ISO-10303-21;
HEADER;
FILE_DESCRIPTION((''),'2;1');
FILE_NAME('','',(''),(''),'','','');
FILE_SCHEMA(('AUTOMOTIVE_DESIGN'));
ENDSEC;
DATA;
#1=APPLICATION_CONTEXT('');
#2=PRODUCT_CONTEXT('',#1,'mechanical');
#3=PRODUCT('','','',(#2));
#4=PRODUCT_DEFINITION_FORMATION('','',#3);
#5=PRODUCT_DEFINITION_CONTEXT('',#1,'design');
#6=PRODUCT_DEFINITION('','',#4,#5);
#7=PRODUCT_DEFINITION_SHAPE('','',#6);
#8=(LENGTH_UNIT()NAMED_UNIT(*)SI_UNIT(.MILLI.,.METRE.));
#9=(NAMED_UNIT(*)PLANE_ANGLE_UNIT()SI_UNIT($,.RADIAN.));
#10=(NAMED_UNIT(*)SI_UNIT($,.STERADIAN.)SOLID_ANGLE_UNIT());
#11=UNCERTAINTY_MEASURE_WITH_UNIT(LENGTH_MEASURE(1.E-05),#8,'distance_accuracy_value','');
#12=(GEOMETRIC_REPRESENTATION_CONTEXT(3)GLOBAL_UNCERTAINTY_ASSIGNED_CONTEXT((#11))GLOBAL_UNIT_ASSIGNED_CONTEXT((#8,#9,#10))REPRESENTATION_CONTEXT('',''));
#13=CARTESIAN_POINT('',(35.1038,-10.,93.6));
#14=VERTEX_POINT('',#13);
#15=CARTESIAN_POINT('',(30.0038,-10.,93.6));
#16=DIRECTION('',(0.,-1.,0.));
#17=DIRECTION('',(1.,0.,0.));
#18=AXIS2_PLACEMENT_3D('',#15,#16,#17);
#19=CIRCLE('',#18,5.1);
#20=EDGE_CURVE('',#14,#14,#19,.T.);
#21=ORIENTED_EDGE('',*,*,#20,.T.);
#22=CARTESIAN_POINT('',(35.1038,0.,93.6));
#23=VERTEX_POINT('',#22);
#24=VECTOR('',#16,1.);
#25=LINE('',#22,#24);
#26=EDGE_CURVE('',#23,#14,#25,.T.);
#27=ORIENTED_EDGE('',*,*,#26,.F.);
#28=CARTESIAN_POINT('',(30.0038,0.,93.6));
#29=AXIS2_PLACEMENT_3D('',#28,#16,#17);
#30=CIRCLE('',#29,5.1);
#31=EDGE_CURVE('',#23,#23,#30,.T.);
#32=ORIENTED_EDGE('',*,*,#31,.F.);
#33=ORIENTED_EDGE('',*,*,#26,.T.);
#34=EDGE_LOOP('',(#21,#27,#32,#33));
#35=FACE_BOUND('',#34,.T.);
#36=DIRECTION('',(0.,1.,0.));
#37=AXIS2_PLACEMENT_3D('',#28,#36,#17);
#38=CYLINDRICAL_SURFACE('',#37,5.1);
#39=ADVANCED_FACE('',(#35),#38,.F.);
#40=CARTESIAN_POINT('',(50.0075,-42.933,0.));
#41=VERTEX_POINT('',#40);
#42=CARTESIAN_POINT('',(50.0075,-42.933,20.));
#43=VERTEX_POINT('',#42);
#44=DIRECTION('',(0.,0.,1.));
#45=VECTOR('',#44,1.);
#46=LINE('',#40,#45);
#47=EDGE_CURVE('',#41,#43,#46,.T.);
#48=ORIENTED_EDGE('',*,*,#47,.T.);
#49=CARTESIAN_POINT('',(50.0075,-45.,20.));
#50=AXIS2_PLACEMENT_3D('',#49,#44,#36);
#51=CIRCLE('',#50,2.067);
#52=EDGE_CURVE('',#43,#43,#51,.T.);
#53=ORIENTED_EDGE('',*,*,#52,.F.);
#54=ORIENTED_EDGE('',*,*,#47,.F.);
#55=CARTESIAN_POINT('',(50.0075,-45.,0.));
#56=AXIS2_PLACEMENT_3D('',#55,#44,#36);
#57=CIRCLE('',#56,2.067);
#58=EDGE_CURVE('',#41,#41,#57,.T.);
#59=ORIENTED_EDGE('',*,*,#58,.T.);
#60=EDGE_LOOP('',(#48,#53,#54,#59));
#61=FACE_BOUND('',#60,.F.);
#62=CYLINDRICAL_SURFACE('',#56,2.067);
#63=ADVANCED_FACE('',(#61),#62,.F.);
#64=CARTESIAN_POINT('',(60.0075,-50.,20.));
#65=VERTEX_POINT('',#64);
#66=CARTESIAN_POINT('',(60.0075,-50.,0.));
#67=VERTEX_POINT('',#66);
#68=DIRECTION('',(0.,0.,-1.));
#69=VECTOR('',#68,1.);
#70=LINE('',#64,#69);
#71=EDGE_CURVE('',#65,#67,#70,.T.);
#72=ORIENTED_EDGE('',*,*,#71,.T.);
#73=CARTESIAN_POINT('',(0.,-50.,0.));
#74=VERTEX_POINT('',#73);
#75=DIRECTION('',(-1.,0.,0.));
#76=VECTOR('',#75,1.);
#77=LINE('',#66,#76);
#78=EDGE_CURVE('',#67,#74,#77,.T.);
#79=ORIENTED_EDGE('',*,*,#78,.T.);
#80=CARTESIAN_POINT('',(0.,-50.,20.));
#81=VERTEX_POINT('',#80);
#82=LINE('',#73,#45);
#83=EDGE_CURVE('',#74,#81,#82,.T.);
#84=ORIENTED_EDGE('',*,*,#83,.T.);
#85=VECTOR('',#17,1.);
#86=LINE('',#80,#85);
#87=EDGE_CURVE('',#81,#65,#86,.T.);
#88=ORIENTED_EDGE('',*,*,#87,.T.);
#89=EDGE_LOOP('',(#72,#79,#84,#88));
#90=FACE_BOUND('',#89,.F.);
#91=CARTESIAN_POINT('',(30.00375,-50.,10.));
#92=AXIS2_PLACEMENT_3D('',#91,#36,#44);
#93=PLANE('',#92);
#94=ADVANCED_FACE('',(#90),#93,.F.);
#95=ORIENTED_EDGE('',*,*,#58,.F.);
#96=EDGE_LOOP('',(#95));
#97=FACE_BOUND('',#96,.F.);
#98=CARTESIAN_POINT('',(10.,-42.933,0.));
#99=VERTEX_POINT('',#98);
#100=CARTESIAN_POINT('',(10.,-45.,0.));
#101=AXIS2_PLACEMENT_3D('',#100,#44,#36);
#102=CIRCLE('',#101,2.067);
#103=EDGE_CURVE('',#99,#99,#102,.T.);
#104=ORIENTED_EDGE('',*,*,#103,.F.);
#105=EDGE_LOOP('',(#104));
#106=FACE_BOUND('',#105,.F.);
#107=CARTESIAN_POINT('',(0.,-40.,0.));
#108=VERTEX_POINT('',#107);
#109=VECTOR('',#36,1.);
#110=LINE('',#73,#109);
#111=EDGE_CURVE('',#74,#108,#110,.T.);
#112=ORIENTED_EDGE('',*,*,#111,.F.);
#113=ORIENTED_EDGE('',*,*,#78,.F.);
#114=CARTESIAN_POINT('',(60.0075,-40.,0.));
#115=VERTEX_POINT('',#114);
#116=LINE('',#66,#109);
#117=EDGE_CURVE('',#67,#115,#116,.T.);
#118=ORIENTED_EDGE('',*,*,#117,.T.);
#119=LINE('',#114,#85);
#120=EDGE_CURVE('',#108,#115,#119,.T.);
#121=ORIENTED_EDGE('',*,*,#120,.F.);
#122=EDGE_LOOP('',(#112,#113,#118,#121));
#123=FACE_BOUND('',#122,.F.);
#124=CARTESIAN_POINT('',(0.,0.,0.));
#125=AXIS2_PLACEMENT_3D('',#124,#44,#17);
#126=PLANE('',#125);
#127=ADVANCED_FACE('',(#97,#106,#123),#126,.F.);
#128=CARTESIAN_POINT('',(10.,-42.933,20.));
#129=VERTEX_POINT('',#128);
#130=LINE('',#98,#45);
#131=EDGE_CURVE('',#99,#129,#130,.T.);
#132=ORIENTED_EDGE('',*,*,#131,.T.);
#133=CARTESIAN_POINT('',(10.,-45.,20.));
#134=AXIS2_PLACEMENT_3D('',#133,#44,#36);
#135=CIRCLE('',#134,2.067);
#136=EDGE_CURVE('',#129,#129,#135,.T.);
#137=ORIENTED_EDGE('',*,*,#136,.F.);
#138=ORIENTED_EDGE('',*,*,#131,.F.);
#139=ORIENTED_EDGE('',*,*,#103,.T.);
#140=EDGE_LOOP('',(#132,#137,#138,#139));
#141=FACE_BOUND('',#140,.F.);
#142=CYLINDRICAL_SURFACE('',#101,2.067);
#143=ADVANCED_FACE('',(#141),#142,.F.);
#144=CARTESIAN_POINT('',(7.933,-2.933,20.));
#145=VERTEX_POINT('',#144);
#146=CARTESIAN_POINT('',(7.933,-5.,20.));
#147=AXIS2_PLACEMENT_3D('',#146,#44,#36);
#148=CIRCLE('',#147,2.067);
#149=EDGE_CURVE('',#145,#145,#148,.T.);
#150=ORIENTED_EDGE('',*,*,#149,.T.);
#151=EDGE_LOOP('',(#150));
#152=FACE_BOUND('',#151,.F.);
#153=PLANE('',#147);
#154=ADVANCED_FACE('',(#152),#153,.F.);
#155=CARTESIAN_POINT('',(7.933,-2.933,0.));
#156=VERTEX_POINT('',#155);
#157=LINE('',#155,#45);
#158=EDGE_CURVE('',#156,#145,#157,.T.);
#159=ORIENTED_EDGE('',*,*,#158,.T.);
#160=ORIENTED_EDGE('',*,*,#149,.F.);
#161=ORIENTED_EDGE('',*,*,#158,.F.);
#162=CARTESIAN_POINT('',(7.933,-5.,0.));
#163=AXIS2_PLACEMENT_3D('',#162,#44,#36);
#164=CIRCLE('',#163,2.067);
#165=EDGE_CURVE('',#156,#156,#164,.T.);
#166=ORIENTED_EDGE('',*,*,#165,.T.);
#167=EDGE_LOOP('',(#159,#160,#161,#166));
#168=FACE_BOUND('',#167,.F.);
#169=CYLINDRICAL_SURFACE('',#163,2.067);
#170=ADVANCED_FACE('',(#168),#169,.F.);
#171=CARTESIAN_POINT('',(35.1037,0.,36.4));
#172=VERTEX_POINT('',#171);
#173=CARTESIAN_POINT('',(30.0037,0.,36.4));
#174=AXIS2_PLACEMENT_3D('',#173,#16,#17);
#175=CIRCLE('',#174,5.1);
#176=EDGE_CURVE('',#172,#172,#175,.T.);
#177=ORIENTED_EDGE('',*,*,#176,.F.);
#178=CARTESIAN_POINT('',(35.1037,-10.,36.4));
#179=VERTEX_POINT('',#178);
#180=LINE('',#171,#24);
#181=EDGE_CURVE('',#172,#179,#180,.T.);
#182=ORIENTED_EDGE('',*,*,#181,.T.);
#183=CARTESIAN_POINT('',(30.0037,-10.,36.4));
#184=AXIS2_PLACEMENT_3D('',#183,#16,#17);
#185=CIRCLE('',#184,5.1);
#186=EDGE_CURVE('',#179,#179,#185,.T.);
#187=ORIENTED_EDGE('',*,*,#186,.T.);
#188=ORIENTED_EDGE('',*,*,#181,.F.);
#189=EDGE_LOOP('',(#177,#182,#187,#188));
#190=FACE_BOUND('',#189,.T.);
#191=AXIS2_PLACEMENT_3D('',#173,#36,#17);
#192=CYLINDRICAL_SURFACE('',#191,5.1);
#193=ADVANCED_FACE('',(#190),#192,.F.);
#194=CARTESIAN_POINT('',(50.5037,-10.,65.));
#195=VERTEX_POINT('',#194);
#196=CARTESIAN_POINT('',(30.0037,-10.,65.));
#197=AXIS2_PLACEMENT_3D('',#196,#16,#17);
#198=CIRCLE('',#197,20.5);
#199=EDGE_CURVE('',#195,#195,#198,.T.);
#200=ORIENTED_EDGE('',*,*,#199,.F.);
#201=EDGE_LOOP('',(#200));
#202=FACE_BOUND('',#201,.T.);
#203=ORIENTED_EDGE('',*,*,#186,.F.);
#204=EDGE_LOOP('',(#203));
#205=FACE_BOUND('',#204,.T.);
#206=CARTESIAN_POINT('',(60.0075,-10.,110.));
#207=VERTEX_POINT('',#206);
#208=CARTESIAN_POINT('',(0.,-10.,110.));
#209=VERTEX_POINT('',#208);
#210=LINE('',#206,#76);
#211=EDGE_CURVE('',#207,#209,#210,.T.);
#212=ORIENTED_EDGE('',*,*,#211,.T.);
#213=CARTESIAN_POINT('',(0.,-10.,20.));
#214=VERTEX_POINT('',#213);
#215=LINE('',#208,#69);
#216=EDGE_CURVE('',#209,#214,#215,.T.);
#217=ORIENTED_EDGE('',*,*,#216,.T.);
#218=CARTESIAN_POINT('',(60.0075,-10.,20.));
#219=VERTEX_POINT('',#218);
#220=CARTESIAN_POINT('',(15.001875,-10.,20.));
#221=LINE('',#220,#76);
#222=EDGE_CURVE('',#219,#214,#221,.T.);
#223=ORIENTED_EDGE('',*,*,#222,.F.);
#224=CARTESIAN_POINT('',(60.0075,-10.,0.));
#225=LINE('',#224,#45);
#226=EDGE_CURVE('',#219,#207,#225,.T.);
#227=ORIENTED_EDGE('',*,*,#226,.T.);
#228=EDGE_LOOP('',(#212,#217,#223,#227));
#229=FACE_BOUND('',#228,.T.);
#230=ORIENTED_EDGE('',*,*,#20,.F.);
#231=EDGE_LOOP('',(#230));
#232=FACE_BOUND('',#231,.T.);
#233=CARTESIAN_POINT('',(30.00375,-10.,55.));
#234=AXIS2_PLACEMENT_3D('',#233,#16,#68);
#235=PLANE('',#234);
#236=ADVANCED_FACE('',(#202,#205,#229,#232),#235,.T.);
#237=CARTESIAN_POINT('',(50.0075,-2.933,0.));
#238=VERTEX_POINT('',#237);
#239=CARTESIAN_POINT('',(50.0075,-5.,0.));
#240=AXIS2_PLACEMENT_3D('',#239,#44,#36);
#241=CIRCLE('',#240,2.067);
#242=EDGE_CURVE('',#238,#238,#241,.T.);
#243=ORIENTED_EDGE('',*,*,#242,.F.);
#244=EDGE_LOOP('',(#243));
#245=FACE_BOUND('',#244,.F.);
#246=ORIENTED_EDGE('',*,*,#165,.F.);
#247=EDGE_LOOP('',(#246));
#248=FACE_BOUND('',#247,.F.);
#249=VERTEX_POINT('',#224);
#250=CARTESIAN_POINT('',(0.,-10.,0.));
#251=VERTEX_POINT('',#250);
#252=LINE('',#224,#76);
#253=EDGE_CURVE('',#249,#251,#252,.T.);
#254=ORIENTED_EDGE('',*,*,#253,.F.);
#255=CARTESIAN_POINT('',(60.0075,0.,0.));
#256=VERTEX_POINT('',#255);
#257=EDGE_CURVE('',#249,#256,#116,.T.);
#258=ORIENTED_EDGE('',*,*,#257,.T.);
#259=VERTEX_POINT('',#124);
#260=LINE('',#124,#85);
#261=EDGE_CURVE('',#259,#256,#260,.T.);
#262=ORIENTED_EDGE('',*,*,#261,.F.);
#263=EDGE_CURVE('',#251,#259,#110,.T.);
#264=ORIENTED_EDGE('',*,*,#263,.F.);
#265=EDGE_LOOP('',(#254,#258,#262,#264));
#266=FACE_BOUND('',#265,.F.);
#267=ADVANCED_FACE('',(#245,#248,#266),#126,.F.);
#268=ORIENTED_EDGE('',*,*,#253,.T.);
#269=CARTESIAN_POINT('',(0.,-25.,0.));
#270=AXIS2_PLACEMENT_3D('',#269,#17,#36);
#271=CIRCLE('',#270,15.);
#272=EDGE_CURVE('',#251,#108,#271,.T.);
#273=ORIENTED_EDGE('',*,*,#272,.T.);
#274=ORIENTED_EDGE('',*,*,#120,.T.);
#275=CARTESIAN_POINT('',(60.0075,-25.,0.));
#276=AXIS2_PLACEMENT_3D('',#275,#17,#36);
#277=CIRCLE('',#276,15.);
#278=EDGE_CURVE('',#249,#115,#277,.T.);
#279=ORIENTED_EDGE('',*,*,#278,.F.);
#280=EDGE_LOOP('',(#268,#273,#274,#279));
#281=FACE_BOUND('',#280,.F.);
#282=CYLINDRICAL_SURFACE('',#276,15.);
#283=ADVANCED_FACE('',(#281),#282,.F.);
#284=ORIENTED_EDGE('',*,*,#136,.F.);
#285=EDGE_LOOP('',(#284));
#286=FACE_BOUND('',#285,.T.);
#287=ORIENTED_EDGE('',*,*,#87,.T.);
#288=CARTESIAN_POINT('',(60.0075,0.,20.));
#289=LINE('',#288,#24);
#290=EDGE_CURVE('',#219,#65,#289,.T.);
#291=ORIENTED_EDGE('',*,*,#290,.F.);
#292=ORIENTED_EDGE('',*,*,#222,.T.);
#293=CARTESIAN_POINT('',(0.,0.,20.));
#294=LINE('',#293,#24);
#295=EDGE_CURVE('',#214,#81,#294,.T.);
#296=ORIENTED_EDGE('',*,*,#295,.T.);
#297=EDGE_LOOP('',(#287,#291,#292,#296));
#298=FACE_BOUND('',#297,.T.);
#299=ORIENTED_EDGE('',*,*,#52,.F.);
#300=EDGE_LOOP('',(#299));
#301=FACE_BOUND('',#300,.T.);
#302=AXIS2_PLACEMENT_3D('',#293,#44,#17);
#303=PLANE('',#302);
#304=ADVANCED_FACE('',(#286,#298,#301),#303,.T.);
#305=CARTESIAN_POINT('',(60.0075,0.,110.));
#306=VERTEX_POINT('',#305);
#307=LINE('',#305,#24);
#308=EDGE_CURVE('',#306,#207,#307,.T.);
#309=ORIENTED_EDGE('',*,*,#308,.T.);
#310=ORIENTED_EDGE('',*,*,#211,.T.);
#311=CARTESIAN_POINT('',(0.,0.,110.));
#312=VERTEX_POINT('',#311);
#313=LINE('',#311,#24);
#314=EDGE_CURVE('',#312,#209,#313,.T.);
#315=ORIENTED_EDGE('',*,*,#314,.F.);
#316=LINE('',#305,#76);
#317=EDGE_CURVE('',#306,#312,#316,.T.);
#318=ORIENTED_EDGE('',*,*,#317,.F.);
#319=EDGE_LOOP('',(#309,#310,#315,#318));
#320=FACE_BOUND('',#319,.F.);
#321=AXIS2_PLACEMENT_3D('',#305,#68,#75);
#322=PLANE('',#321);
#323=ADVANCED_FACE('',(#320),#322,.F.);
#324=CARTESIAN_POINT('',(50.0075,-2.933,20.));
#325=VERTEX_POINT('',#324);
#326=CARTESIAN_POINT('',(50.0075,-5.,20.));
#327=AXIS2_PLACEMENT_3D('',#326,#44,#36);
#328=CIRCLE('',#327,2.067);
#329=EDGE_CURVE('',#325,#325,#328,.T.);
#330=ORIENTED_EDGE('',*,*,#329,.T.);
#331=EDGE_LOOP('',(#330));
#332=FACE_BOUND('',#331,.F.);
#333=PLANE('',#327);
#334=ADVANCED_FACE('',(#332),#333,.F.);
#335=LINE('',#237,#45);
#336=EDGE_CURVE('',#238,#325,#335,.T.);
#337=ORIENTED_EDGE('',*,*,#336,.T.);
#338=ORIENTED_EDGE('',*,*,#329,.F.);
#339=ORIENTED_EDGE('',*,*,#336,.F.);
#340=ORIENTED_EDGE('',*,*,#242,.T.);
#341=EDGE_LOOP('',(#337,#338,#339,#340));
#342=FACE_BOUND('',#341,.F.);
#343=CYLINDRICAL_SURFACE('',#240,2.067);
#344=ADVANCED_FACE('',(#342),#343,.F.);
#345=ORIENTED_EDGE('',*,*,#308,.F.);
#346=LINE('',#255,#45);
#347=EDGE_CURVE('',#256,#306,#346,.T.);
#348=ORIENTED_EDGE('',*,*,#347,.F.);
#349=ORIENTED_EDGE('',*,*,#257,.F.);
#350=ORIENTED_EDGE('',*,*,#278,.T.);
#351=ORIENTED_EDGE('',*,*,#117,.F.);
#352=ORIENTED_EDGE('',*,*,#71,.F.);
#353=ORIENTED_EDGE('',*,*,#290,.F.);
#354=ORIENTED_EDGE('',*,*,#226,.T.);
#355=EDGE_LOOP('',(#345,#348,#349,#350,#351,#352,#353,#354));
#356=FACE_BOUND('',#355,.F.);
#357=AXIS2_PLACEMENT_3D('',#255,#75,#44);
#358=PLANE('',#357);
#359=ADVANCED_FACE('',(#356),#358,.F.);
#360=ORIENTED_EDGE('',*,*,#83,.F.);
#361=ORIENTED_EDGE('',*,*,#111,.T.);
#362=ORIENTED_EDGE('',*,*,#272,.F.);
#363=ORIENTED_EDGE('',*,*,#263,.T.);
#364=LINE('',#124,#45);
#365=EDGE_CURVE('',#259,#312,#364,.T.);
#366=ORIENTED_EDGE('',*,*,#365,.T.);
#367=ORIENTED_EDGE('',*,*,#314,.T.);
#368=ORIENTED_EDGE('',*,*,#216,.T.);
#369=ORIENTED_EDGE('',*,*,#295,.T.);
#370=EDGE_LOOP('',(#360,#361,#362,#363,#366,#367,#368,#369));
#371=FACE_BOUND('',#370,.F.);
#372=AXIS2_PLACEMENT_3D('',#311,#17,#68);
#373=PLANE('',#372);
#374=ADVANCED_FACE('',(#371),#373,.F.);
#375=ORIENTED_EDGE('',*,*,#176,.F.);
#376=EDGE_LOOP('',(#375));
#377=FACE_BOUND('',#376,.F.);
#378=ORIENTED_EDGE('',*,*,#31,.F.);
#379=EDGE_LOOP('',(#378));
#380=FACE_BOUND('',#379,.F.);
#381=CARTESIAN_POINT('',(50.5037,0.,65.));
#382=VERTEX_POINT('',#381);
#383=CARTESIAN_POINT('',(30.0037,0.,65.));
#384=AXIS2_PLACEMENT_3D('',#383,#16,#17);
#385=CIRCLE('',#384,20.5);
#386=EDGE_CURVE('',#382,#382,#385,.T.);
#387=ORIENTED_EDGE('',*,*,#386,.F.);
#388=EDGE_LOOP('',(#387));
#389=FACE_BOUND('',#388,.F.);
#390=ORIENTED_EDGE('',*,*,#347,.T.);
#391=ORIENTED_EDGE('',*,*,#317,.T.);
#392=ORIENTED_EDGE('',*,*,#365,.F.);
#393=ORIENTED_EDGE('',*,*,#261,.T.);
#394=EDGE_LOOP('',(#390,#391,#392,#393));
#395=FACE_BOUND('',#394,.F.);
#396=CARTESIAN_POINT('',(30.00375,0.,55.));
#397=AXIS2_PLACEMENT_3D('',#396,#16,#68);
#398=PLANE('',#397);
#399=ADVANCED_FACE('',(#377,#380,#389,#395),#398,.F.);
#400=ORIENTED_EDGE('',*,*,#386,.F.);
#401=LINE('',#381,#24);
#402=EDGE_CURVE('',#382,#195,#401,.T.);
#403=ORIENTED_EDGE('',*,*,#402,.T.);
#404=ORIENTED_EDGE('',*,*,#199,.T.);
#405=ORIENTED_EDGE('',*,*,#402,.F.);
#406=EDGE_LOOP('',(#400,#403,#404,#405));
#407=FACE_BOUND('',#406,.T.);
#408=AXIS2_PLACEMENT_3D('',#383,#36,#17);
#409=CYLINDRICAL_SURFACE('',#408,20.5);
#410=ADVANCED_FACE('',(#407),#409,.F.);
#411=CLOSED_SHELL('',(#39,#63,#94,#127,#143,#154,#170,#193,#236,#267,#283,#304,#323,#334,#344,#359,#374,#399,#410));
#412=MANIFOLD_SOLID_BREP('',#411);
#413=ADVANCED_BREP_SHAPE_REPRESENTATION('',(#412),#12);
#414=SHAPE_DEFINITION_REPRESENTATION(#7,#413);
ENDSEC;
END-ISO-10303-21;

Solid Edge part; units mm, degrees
sketch "Sketch1" plane through (0, 0, 0) normal (0, -1, 0) x (1, 0, 0)
  line L0 (60.0075, 0) -> (60.0075, 110)
  line L1 (60.0075, 110) -> (0, 110)
  line L2 (0, 110) -> (0, 0)
  line L3 (0, 0) -> (60.0075, 0)
  circle A0 centre (30.0038, 93.6) radius 5.1
  circle A1 centre (30.0037, 36.4) radius 5.1
  circle A2 centre (30.0037, 65) radius 20.5
  dimension "D1" = 60.0075
  dimension "D2" = 110
  dimension "D3" = 16.4
  dimension "D4" = 41
  dimension "D5" = 28.6
  dimension "D6" = 28.6
extrude "Protrusion1" add sketch "Sketch1" along normal blind 10
sketch "Sketch2" plane through (0, 0, 0) normal (0, -1, 0) x (1, 0, 0)
  line L0 (0, 20) -> (60.0075, 20)
  line L1 (60.0075, 20) -> (60.0075, 0)
  line L2 (60.0075, 0) -> (0, 0)
  line L3 (0, 0) -> (0, 20)
extrude "övre_fäste_protrusion" add sketch "Sketch2" along normal blind 50
sketch "Sketch3" plane through (60.0075, -20, 55) normal (1, 0, 0) x (0, 1, 0)
  circle A0 centre (-5, -55) radius 15
extrude "Halvcirkel_cutout" cut sketch "Sketch3" against normal blind 100
hole "Hole_1" at (10, -45, 0) direction (0, 0, 1) diameter 4.134 depth 20
hole "Hole1" at (50.0075, -45, 0) direction (0, 0, 1) diameter 4.134 depth 20
hole "Hole2" at (7.933, -5, 0) direction (0, 0, 1) diameter 4.134 depth 20
hole "Hole3" at (50.0075, -5, 0) direction (0, 0, 1) diameter 4.134 depth 20
